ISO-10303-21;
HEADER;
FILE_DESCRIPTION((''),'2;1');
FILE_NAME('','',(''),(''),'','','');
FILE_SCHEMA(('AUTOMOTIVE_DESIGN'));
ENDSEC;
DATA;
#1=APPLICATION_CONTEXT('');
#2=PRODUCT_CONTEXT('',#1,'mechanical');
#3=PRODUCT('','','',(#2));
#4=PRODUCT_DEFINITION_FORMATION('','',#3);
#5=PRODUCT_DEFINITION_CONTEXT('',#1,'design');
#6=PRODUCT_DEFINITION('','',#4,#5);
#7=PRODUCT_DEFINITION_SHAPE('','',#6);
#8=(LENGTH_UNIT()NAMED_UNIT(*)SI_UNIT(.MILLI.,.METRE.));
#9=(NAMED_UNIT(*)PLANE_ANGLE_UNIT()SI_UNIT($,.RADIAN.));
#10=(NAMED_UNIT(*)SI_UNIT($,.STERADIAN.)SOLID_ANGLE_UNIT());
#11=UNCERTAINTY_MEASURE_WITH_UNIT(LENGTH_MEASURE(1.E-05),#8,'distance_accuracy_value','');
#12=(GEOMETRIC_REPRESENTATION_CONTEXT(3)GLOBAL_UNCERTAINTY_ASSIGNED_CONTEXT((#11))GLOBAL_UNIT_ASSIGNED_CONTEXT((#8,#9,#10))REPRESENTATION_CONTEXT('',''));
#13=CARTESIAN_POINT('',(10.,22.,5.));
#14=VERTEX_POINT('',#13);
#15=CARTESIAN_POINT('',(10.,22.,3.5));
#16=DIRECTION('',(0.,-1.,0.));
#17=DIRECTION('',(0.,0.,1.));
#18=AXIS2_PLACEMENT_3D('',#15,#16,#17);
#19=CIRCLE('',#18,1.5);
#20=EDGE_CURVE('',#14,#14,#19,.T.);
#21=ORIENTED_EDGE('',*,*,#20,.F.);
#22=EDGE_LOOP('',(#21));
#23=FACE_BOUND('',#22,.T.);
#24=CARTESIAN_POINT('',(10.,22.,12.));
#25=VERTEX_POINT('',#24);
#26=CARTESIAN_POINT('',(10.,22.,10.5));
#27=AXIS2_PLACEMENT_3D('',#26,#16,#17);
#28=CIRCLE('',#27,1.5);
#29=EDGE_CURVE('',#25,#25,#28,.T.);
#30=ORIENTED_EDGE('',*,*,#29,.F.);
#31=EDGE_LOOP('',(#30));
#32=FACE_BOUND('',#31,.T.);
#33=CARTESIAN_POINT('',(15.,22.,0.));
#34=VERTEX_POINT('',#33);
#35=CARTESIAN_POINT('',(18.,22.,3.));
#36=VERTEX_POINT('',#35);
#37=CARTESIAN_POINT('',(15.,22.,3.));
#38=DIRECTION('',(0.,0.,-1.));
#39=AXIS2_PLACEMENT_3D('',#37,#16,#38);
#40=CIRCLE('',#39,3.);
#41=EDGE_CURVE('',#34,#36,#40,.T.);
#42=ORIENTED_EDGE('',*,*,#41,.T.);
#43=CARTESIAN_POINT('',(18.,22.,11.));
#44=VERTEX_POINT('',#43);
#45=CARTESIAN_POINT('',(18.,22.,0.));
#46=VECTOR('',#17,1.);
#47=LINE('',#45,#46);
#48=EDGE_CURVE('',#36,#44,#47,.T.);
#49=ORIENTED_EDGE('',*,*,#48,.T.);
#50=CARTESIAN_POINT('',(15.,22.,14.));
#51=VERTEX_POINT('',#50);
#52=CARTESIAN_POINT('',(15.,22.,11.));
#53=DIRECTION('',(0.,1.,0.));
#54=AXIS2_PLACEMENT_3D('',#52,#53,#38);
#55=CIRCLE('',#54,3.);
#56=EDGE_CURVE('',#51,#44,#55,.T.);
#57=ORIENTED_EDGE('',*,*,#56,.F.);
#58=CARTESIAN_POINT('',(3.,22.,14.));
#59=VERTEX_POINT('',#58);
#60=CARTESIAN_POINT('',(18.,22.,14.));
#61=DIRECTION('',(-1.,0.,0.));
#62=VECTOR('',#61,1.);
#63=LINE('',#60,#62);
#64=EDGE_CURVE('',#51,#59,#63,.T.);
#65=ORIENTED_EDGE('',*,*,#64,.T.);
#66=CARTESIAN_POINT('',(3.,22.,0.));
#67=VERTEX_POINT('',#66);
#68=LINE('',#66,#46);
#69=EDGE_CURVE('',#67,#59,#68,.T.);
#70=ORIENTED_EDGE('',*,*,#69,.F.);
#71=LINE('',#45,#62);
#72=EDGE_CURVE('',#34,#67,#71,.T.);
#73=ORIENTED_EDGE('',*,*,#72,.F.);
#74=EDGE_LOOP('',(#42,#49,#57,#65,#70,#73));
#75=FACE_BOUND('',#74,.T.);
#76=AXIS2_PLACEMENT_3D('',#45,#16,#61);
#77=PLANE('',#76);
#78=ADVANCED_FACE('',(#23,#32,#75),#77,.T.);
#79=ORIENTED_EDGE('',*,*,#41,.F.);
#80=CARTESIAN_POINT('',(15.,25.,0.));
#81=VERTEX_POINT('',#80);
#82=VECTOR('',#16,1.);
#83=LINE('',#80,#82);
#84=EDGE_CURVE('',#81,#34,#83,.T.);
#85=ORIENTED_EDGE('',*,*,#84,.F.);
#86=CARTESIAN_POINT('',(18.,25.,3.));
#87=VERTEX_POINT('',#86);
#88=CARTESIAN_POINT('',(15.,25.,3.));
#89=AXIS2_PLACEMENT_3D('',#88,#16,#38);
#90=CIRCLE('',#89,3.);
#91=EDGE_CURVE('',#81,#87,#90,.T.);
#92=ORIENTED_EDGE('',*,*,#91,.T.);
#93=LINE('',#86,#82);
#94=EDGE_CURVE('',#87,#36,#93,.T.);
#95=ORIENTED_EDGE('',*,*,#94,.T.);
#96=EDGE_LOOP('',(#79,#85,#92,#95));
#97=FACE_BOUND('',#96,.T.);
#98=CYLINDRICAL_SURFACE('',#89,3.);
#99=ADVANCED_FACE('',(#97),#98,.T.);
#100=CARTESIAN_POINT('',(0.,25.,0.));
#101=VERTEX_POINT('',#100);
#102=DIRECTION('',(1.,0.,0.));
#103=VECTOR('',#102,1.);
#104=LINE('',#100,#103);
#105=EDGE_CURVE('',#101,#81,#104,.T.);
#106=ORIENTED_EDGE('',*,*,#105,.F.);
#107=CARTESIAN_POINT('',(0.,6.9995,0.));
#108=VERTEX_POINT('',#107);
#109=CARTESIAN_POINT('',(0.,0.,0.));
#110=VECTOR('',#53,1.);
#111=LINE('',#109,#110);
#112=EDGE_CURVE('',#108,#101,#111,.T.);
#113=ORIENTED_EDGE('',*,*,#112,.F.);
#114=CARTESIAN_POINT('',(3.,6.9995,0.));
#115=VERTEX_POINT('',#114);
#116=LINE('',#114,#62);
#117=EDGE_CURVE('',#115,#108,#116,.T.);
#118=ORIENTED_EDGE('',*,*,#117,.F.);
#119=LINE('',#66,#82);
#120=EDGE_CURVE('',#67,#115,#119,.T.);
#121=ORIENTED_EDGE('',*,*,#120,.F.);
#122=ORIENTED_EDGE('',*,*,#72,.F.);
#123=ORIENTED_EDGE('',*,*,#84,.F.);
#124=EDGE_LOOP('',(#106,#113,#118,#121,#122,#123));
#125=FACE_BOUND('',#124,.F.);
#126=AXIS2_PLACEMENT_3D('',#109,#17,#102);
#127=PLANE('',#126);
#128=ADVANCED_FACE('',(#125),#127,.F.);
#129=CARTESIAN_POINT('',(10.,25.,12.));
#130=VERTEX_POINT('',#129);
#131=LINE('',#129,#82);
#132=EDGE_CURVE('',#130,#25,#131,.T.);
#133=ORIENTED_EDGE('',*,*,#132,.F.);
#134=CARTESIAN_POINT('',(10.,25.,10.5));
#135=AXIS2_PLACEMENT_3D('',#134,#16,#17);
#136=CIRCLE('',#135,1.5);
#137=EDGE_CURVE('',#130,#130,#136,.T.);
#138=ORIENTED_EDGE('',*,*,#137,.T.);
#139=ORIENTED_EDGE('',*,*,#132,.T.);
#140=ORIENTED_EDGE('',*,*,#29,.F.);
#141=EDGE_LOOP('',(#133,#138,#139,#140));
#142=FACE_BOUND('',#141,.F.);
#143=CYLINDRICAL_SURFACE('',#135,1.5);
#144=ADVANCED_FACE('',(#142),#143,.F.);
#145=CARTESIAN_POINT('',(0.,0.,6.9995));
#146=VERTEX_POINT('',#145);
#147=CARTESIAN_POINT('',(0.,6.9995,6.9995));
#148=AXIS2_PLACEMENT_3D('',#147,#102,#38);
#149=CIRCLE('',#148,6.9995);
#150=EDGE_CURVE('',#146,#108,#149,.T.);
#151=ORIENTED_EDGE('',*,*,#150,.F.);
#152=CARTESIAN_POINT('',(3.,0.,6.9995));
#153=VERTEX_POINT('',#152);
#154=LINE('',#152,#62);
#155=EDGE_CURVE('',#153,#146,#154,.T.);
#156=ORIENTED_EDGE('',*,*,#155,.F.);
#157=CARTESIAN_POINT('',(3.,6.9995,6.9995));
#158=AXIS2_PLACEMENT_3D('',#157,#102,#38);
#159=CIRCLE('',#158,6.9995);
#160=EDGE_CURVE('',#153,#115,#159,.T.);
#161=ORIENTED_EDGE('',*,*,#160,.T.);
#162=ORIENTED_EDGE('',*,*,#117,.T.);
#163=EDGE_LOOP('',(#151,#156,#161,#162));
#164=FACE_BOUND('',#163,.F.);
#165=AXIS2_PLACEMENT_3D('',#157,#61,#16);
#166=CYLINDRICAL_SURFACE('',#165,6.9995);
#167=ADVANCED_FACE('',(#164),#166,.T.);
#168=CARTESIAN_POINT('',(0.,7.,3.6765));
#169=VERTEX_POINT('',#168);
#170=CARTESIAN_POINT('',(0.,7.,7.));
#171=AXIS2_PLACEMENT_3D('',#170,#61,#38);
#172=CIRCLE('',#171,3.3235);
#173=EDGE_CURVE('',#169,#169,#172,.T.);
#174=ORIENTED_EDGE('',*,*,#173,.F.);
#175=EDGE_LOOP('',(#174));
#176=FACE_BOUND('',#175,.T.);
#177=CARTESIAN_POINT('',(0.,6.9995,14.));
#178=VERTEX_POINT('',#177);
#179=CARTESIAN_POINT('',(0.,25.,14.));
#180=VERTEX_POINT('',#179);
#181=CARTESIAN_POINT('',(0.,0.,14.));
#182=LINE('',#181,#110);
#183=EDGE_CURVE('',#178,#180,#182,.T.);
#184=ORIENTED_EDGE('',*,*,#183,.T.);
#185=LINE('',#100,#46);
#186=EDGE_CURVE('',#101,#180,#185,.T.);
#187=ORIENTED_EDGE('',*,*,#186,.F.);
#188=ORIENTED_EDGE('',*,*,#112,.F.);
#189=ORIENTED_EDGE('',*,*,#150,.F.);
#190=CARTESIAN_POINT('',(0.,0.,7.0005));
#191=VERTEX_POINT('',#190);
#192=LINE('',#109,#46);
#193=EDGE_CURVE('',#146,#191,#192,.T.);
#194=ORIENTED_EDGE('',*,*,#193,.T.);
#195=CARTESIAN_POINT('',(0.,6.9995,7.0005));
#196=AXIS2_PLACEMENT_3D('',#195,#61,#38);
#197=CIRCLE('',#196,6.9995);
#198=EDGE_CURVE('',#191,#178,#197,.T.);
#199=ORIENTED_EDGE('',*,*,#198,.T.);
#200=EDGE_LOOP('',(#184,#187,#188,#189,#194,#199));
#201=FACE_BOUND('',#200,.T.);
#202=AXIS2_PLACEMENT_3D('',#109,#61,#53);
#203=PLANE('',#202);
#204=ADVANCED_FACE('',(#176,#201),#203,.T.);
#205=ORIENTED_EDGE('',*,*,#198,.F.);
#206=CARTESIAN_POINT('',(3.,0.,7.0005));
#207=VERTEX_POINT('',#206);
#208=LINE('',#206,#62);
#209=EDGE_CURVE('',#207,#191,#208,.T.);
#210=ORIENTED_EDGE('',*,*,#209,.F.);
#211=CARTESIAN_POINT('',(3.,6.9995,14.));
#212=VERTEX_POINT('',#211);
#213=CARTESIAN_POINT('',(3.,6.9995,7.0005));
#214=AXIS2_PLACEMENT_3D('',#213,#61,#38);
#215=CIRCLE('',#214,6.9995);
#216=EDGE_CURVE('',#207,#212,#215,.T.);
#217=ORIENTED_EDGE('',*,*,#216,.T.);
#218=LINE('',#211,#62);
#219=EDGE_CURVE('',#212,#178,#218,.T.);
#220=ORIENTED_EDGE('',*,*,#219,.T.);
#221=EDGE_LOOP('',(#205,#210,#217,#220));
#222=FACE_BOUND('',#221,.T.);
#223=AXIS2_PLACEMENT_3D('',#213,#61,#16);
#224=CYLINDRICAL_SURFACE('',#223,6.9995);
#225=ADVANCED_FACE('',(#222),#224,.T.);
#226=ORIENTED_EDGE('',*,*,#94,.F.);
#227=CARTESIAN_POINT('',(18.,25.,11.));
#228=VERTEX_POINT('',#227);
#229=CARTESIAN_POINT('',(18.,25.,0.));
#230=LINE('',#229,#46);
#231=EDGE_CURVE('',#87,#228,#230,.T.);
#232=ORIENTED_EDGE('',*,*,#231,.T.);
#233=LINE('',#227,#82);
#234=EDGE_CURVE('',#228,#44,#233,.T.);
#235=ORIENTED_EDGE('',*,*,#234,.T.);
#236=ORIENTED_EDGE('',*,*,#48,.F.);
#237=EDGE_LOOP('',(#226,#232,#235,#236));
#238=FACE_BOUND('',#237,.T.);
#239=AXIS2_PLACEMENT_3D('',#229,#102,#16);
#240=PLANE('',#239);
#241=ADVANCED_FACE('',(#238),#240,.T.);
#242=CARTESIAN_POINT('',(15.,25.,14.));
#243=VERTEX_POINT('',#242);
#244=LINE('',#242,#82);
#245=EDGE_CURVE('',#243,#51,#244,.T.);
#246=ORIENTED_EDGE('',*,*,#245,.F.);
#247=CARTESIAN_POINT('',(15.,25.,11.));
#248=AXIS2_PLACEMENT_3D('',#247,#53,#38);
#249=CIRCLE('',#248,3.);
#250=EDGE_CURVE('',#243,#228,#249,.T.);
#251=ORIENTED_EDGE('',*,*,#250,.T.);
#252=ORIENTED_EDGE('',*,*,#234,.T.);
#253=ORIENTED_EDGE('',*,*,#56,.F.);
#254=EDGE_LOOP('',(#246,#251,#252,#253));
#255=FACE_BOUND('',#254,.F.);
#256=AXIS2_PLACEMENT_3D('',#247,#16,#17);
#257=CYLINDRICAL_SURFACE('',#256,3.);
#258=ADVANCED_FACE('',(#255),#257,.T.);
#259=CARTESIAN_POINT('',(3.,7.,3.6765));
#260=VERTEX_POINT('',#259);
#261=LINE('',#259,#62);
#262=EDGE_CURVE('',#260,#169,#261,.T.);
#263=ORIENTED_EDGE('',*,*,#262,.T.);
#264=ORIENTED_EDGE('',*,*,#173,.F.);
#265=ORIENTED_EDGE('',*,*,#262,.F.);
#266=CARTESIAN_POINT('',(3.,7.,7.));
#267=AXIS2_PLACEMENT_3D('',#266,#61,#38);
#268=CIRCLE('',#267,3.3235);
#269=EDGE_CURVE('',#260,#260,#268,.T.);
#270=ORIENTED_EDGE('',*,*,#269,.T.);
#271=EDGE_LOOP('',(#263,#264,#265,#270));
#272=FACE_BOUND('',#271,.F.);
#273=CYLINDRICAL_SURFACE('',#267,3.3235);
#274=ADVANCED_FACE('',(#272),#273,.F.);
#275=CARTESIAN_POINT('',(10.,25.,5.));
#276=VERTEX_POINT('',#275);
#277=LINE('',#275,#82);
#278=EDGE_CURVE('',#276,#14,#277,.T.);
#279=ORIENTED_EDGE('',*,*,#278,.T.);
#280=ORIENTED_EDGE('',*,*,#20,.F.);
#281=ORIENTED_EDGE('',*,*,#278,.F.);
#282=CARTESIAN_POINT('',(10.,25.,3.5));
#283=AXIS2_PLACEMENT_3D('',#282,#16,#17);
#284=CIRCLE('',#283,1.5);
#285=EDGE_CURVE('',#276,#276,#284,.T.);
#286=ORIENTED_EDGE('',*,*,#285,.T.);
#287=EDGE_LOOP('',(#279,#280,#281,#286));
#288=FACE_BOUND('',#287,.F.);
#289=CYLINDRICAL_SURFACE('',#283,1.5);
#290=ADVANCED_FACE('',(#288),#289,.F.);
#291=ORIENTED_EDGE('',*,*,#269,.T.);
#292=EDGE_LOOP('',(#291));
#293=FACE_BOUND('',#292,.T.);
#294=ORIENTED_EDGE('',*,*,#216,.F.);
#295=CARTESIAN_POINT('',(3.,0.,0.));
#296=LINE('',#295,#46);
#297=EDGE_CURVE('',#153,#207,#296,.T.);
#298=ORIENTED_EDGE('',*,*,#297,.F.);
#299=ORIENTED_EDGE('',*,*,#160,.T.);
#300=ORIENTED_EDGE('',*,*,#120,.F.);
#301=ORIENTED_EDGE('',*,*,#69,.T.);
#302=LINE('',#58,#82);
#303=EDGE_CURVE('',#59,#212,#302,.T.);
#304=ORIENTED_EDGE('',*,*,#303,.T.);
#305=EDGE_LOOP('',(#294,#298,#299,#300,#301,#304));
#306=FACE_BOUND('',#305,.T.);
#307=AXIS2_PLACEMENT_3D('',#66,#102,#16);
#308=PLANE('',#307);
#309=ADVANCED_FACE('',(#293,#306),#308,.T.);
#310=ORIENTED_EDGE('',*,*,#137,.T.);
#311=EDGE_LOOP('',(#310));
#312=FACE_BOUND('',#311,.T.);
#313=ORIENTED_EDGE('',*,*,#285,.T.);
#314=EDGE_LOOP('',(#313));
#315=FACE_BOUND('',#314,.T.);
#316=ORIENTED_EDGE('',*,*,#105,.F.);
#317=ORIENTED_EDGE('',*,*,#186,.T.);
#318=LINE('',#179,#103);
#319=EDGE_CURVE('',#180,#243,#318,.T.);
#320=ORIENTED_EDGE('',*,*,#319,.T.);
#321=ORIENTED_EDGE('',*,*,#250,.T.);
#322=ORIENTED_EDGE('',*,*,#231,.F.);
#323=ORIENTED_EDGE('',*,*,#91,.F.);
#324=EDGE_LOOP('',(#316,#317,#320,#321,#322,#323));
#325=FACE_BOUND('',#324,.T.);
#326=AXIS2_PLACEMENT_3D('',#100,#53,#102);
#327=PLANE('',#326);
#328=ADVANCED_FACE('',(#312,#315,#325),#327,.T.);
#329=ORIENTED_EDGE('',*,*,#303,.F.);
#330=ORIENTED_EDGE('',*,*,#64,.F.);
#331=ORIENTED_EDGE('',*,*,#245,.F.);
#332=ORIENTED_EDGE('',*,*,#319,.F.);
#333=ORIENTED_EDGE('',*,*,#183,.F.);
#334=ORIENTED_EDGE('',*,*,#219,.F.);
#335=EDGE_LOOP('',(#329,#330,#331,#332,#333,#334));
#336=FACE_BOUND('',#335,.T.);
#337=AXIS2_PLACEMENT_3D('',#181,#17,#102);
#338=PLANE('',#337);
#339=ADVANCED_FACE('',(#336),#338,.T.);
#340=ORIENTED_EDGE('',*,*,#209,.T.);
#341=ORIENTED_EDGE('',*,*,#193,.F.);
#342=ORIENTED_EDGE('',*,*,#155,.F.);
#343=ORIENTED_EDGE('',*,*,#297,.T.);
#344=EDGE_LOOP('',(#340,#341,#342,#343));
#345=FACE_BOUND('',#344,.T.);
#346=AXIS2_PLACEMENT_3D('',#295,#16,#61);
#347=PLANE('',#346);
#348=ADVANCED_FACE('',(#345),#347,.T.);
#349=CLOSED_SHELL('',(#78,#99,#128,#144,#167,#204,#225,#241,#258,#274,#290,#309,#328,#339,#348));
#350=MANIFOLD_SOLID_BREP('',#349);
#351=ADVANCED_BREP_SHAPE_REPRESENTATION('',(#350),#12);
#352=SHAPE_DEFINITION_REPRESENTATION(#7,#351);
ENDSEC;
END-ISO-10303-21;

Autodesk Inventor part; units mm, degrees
ref_plane "YZ Plane" through (0, 0, 0) normal (1, 0, 0) x (0, 1, 0)
ref_plane "XZ Plane" through (0, 0, 0) normal (0, 1, 0) x (-1, 0, 0)
ref_plane "XY Plane" through (0, 0, 0) normal (0, 0, 1) x (1, 0, 0)
sketch "Sketch1" plane through (0, 0, 0) normal (0, 0, 1) x (1, 0, 0)
  line L0 (0, 0) -> (0, 25)
  line L1 (0, 25) -> (18, 25)
  line L2 (18, 25) -> (18, 22)
  line L3 (18, 22) -> (3, 22)
  line L4 (3, 22) -> (3, 0)
  line L5 (3, 0) -> (0, 0)
  dimension "d0" = 25
  dimension "d1" = 3
  dimension "d2" = 3
  dimension "d3" = 15
extrude "Extrusion1" add sketch "Sketch1" along normal blind 14
fillet "Fillet1" radius 7 2 edges at (1.5, 0, 14) (1.5, 0, 0)
sketch "Sketch2" plane through (3, 22, 14) normal (1, 0, 0) x (0, 0, -1)
  line L0 (14, 3) -> (0, 3) projected
  line L1 (0, -15) -> (0, 0) projected
  arc A0 (0, -15) -> (14, -15) centre (7, -15) ccw projected
  line L2 (14, -15) -> (14, 0) projected
  line L3 (14, 0) -> (0, 0) projected
  line L4 (0, -15) -> (0, 0) projected
  point P0 (14, -22)
  point P1 (7, -15)
  dimension "d7" = 18
  dimension "d8" = 7
hole "Hole1" at (3, 7, 7) direction (-1, 0, 0) diameter 6.647 end through all thread size "M8x1.25" class "6H" standard "ANSI Metric M Profile"
sketch "Sketch3" plane through (0, 25, 0) normal (0, 1, 0) x (1, 0, 0)
  line L0 (18, -14) -> (0, -14) projected
  line L1 (0, 0) -> (0, -14) projected
  point P0 (10, -10.5)
  point P1 (10, -3.5)
  dimension "d16" = 7
  dimension "d17" = 3.5
  dimension "d18" = 10
  dimension "d19" = 10
hole "Hole2" at (10, 25, 10.5) at (10, 25, 3.5) direction (0, -1, 0) diameter 3 end through all
fillet "Fillet2" radius 3 2 edges at (18, 23.5, 0) (18, 23.5, 14)
properties part number "HUDSON-1-77"
